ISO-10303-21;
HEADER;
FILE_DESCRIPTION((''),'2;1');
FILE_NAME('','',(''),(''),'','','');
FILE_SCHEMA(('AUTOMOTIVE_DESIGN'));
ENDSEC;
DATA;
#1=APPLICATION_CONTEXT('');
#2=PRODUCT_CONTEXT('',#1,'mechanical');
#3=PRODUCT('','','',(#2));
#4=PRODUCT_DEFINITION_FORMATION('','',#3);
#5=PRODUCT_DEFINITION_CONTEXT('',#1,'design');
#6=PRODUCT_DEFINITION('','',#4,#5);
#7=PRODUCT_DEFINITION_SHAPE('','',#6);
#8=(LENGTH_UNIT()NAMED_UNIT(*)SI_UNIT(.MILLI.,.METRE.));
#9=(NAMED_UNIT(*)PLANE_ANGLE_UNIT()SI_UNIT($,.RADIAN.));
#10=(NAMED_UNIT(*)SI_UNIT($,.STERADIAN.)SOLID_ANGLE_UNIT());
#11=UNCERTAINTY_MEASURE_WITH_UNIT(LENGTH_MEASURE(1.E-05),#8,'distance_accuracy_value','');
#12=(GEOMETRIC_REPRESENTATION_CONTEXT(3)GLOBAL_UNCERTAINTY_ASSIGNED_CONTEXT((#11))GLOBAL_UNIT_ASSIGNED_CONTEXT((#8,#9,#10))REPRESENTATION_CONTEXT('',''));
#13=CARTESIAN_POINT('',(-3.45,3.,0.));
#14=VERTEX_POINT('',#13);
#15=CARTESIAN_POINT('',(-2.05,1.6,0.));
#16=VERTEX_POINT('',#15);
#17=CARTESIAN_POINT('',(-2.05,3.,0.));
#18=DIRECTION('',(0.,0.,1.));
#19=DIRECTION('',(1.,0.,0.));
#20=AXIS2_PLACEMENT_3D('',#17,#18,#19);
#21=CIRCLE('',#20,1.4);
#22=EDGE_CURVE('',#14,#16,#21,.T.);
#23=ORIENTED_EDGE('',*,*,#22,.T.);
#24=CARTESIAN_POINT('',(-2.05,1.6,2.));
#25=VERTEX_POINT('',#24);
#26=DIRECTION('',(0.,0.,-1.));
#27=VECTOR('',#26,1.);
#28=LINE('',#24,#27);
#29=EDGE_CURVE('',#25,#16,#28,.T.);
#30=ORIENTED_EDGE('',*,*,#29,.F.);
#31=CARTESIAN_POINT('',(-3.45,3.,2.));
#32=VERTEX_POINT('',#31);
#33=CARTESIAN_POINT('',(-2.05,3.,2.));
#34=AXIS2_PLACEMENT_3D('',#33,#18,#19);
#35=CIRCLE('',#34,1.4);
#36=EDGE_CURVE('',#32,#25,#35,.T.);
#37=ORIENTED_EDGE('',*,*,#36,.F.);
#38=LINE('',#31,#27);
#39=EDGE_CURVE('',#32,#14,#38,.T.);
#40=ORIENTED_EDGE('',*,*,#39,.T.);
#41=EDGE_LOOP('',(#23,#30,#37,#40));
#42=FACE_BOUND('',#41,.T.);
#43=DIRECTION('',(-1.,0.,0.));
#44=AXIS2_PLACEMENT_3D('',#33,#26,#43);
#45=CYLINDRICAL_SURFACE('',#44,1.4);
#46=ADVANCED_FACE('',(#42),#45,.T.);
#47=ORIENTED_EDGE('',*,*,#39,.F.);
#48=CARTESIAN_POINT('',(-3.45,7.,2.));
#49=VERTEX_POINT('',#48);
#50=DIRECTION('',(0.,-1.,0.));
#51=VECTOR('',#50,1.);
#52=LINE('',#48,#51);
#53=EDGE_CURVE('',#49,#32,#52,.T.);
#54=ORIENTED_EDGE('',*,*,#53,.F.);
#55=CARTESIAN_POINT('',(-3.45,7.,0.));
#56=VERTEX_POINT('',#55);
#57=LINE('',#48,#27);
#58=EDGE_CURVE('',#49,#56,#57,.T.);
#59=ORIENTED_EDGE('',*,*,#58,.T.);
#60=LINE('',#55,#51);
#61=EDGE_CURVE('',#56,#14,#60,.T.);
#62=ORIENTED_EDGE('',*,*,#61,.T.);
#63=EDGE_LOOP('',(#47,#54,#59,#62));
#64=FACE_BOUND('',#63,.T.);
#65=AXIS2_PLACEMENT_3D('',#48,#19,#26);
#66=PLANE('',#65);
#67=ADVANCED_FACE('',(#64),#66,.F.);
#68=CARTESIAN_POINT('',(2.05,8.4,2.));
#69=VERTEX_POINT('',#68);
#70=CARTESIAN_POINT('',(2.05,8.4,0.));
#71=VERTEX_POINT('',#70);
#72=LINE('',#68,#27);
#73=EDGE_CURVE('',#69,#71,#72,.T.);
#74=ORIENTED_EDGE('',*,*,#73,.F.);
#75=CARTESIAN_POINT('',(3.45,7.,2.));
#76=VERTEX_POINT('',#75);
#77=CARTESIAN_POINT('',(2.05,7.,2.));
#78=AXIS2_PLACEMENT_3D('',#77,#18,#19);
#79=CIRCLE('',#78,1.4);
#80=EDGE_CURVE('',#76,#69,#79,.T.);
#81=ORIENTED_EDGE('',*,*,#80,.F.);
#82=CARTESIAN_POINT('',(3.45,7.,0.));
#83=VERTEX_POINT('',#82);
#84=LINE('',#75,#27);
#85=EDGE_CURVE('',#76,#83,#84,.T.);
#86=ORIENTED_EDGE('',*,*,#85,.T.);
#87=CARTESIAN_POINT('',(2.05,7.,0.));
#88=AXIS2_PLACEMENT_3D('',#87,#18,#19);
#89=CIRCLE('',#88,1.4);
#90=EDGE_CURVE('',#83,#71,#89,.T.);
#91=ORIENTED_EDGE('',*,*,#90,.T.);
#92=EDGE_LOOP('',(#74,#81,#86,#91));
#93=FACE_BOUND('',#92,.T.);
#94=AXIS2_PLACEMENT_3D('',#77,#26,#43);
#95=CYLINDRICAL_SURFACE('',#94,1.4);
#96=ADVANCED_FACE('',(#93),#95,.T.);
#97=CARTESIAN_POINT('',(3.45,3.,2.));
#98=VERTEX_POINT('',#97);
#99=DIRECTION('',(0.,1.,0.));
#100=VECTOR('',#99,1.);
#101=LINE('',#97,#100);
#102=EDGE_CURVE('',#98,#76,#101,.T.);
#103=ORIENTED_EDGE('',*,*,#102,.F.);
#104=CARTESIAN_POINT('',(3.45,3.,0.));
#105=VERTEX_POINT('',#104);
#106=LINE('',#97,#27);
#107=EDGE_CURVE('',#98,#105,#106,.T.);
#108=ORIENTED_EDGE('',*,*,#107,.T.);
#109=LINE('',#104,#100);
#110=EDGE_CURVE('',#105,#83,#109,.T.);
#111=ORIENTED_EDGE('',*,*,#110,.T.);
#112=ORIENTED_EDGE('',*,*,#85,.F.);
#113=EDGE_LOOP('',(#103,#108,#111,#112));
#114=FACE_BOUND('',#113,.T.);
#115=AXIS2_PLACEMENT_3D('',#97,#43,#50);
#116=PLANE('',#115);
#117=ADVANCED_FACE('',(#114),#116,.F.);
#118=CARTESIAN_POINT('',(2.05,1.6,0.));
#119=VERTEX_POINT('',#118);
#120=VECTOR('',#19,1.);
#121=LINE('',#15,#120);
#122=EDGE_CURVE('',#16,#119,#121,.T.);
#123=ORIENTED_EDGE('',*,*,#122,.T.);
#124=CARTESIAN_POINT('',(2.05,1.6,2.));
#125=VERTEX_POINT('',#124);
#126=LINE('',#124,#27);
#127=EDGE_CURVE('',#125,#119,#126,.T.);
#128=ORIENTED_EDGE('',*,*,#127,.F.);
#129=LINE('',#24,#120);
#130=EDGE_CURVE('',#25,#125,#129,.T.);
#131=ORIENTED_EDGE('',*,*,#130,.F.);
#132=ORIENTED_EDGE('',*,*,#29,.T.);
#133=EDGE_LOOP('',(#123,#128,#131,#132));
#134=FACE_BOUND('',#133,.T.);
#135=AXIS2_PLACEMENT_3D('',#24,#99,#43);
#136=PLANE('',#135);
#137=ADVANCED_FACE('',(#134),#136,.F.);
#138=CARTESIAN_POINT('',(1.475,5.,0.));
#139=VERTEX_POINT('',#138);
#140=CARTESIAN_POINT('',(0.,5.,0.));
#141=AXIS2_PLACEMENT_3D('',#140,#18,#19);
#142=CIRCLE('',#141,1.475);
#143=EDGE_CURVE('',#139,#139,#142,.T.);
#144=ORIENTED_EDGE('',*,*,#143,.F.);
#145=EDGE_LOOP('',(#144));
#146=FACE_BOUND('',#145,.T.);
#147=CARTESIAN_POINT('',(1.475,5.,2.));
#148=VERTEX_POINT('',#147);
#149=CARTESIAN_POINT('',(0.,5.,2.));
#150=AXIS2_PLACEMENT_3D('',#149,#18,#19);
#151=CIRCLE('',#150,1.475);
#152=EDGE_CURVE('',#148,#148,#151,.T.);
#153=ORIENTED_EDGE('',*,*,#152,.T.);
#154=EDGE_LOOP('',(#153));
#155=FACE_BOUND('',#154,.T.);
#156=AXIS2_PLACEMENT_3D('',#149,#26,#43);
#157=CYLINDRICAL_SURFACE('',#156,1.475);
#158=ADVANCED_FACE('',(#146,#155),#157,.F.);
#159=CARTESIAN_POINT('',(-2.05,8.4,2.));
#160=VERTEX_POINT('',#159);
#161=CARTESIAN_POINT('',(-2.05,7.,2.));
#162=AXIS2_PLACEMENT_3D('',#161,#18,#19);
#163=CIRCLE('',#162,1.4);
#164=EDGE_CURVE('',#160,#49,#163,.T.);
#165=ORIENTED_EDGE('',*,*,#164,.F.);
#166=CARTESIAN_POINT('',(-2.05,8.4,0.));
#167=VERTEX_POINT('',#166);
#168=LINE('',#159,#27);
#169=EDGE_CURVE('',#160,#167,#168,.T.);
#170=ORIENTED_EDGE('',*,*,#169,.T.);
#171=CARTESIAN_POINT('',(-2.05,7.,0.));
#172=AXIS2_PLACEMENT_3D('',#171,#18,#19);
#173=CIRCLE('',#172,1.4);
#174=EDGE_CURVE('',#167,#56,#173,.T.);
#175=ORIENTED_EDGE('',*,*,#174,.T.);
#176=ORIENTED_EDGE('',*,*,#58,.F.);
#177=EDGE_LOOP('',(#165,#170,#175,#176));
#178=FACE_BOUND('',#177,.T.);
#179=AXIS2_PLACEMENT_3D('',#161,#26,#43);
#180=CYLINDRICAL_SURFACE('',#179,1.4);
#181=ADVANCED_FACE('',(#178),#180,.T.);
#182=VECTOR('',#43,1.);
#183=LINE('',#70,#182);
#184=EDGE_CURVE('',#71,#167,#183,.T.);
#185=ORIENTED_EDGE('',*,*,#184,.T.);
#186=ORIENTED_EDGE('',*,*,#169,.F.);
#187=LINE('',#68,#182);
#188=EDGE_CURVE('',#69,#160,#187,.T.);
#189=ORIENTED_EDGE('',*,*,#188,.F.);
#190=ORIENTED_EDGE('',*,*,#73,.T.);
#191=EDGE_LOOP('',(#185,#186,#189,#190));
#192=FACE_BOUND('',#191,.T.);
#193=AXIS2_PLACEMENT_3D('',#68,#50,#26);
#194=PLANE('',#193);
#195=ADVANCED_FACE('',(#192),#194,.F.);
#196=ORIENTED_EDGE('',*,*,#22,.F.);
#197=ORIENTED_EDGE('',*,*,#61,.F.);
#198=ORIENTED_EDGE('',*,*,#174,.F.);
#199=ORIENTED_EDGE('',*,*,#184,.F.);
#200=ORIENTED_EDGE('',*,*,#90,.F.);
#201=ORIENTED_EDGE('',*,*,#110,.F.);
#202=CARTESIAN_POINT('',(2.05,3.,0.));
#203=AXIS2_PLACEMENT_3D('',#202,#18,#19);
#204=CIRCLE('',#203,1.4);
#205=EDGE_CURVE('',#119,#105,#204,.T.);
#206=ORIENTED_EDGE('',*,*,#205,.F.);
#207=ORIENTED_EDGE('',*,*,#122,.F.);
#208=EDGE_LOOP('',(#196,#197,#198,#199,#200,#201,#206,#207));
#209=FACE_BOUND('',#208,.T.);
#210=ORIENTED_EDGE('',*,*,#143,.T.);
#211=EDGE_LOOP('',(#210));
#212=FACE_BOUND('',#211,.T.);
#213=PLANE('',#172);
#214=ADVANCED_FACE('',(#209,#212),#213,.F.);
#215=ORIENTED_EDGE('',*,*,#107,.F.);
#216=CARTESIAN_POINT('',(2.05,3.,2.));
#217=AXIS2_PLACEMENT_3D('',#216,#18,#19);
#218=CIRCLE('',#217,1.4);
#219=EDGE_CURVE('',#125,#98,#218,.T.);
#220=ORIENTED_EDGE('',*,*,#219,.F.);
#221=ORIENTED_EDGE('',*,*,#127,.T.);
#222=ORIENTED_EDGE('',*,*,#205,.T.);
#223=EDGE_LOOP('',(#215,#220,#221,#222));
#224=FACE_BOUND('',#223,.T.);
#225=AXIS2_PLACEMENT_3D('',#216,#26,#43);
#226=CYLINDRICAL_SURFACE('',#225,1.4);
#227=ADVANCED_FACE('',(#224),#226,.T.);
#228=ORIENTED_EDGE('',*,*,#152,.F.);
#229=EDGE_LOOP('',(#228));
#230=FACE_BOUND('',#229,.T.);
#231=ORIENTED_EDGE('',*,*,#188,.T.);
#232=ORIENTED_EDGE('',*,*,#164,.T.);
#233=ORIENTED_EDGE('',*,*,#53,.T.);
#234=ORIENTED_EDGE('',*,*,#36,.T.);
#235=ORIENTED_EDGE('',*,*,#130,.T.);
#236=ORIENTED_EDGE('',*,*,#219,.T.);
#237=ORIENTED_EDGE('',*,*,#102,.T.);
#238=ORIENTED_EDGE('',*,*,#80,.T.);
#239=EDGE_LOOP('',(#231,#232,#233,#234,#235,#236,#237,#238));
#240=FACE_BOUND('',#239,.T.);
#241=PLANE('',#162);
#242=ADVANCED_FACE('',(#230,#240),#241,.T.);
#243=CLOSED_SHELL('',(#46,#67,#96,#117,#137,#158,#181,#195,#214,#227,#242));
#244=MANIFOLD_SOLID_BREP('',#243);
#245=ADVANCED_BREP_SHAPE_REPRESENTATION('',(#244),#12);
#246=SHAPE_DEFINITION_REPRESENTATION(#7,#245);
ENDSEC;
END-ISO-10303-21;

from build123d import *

# Parameters (mm, degrees)
SKETCH1_R           = 1.475
BOSS_EXTRUDE1_DEPTH = 2


with BuildPart() as part:
    # Sketch1 → Boss-Extrude1 (new body)
    with BuildSketch(Plane.XY):
        with BuildLine():
            Line((-3.45, 7), (-3.45, 3))
            ThreePointArc((-3.45, 3), (-3.039949494, 2.010050506), (-2.05, 1.6))
            Line((-2.05, 1.6), (2.05, 1.6))
            ThreePointArc((2.05, 1.6), (3.039949494, 2.010050506), (3.45, 3))
            Line((3.45, 3), (3.45, 7))
            ThreePointArc((3.45, 7), (3.039949494, 7.989949494), (2.05, 8.4))
            Line((2.05, 8.4), (-2.05, 8.4))
            ThreePointArc((-2.05, 8.4), (-3.039949494, 7.989949494), (-3.45, 7))
        make_face()
        with Locations((0, 5)):
            Circle(SKETCH1_R, mode=Mode.SUBTRACT)
    extrude(amount=BOSS_EXTRUDE1_DEPTH)


solid = part.part
